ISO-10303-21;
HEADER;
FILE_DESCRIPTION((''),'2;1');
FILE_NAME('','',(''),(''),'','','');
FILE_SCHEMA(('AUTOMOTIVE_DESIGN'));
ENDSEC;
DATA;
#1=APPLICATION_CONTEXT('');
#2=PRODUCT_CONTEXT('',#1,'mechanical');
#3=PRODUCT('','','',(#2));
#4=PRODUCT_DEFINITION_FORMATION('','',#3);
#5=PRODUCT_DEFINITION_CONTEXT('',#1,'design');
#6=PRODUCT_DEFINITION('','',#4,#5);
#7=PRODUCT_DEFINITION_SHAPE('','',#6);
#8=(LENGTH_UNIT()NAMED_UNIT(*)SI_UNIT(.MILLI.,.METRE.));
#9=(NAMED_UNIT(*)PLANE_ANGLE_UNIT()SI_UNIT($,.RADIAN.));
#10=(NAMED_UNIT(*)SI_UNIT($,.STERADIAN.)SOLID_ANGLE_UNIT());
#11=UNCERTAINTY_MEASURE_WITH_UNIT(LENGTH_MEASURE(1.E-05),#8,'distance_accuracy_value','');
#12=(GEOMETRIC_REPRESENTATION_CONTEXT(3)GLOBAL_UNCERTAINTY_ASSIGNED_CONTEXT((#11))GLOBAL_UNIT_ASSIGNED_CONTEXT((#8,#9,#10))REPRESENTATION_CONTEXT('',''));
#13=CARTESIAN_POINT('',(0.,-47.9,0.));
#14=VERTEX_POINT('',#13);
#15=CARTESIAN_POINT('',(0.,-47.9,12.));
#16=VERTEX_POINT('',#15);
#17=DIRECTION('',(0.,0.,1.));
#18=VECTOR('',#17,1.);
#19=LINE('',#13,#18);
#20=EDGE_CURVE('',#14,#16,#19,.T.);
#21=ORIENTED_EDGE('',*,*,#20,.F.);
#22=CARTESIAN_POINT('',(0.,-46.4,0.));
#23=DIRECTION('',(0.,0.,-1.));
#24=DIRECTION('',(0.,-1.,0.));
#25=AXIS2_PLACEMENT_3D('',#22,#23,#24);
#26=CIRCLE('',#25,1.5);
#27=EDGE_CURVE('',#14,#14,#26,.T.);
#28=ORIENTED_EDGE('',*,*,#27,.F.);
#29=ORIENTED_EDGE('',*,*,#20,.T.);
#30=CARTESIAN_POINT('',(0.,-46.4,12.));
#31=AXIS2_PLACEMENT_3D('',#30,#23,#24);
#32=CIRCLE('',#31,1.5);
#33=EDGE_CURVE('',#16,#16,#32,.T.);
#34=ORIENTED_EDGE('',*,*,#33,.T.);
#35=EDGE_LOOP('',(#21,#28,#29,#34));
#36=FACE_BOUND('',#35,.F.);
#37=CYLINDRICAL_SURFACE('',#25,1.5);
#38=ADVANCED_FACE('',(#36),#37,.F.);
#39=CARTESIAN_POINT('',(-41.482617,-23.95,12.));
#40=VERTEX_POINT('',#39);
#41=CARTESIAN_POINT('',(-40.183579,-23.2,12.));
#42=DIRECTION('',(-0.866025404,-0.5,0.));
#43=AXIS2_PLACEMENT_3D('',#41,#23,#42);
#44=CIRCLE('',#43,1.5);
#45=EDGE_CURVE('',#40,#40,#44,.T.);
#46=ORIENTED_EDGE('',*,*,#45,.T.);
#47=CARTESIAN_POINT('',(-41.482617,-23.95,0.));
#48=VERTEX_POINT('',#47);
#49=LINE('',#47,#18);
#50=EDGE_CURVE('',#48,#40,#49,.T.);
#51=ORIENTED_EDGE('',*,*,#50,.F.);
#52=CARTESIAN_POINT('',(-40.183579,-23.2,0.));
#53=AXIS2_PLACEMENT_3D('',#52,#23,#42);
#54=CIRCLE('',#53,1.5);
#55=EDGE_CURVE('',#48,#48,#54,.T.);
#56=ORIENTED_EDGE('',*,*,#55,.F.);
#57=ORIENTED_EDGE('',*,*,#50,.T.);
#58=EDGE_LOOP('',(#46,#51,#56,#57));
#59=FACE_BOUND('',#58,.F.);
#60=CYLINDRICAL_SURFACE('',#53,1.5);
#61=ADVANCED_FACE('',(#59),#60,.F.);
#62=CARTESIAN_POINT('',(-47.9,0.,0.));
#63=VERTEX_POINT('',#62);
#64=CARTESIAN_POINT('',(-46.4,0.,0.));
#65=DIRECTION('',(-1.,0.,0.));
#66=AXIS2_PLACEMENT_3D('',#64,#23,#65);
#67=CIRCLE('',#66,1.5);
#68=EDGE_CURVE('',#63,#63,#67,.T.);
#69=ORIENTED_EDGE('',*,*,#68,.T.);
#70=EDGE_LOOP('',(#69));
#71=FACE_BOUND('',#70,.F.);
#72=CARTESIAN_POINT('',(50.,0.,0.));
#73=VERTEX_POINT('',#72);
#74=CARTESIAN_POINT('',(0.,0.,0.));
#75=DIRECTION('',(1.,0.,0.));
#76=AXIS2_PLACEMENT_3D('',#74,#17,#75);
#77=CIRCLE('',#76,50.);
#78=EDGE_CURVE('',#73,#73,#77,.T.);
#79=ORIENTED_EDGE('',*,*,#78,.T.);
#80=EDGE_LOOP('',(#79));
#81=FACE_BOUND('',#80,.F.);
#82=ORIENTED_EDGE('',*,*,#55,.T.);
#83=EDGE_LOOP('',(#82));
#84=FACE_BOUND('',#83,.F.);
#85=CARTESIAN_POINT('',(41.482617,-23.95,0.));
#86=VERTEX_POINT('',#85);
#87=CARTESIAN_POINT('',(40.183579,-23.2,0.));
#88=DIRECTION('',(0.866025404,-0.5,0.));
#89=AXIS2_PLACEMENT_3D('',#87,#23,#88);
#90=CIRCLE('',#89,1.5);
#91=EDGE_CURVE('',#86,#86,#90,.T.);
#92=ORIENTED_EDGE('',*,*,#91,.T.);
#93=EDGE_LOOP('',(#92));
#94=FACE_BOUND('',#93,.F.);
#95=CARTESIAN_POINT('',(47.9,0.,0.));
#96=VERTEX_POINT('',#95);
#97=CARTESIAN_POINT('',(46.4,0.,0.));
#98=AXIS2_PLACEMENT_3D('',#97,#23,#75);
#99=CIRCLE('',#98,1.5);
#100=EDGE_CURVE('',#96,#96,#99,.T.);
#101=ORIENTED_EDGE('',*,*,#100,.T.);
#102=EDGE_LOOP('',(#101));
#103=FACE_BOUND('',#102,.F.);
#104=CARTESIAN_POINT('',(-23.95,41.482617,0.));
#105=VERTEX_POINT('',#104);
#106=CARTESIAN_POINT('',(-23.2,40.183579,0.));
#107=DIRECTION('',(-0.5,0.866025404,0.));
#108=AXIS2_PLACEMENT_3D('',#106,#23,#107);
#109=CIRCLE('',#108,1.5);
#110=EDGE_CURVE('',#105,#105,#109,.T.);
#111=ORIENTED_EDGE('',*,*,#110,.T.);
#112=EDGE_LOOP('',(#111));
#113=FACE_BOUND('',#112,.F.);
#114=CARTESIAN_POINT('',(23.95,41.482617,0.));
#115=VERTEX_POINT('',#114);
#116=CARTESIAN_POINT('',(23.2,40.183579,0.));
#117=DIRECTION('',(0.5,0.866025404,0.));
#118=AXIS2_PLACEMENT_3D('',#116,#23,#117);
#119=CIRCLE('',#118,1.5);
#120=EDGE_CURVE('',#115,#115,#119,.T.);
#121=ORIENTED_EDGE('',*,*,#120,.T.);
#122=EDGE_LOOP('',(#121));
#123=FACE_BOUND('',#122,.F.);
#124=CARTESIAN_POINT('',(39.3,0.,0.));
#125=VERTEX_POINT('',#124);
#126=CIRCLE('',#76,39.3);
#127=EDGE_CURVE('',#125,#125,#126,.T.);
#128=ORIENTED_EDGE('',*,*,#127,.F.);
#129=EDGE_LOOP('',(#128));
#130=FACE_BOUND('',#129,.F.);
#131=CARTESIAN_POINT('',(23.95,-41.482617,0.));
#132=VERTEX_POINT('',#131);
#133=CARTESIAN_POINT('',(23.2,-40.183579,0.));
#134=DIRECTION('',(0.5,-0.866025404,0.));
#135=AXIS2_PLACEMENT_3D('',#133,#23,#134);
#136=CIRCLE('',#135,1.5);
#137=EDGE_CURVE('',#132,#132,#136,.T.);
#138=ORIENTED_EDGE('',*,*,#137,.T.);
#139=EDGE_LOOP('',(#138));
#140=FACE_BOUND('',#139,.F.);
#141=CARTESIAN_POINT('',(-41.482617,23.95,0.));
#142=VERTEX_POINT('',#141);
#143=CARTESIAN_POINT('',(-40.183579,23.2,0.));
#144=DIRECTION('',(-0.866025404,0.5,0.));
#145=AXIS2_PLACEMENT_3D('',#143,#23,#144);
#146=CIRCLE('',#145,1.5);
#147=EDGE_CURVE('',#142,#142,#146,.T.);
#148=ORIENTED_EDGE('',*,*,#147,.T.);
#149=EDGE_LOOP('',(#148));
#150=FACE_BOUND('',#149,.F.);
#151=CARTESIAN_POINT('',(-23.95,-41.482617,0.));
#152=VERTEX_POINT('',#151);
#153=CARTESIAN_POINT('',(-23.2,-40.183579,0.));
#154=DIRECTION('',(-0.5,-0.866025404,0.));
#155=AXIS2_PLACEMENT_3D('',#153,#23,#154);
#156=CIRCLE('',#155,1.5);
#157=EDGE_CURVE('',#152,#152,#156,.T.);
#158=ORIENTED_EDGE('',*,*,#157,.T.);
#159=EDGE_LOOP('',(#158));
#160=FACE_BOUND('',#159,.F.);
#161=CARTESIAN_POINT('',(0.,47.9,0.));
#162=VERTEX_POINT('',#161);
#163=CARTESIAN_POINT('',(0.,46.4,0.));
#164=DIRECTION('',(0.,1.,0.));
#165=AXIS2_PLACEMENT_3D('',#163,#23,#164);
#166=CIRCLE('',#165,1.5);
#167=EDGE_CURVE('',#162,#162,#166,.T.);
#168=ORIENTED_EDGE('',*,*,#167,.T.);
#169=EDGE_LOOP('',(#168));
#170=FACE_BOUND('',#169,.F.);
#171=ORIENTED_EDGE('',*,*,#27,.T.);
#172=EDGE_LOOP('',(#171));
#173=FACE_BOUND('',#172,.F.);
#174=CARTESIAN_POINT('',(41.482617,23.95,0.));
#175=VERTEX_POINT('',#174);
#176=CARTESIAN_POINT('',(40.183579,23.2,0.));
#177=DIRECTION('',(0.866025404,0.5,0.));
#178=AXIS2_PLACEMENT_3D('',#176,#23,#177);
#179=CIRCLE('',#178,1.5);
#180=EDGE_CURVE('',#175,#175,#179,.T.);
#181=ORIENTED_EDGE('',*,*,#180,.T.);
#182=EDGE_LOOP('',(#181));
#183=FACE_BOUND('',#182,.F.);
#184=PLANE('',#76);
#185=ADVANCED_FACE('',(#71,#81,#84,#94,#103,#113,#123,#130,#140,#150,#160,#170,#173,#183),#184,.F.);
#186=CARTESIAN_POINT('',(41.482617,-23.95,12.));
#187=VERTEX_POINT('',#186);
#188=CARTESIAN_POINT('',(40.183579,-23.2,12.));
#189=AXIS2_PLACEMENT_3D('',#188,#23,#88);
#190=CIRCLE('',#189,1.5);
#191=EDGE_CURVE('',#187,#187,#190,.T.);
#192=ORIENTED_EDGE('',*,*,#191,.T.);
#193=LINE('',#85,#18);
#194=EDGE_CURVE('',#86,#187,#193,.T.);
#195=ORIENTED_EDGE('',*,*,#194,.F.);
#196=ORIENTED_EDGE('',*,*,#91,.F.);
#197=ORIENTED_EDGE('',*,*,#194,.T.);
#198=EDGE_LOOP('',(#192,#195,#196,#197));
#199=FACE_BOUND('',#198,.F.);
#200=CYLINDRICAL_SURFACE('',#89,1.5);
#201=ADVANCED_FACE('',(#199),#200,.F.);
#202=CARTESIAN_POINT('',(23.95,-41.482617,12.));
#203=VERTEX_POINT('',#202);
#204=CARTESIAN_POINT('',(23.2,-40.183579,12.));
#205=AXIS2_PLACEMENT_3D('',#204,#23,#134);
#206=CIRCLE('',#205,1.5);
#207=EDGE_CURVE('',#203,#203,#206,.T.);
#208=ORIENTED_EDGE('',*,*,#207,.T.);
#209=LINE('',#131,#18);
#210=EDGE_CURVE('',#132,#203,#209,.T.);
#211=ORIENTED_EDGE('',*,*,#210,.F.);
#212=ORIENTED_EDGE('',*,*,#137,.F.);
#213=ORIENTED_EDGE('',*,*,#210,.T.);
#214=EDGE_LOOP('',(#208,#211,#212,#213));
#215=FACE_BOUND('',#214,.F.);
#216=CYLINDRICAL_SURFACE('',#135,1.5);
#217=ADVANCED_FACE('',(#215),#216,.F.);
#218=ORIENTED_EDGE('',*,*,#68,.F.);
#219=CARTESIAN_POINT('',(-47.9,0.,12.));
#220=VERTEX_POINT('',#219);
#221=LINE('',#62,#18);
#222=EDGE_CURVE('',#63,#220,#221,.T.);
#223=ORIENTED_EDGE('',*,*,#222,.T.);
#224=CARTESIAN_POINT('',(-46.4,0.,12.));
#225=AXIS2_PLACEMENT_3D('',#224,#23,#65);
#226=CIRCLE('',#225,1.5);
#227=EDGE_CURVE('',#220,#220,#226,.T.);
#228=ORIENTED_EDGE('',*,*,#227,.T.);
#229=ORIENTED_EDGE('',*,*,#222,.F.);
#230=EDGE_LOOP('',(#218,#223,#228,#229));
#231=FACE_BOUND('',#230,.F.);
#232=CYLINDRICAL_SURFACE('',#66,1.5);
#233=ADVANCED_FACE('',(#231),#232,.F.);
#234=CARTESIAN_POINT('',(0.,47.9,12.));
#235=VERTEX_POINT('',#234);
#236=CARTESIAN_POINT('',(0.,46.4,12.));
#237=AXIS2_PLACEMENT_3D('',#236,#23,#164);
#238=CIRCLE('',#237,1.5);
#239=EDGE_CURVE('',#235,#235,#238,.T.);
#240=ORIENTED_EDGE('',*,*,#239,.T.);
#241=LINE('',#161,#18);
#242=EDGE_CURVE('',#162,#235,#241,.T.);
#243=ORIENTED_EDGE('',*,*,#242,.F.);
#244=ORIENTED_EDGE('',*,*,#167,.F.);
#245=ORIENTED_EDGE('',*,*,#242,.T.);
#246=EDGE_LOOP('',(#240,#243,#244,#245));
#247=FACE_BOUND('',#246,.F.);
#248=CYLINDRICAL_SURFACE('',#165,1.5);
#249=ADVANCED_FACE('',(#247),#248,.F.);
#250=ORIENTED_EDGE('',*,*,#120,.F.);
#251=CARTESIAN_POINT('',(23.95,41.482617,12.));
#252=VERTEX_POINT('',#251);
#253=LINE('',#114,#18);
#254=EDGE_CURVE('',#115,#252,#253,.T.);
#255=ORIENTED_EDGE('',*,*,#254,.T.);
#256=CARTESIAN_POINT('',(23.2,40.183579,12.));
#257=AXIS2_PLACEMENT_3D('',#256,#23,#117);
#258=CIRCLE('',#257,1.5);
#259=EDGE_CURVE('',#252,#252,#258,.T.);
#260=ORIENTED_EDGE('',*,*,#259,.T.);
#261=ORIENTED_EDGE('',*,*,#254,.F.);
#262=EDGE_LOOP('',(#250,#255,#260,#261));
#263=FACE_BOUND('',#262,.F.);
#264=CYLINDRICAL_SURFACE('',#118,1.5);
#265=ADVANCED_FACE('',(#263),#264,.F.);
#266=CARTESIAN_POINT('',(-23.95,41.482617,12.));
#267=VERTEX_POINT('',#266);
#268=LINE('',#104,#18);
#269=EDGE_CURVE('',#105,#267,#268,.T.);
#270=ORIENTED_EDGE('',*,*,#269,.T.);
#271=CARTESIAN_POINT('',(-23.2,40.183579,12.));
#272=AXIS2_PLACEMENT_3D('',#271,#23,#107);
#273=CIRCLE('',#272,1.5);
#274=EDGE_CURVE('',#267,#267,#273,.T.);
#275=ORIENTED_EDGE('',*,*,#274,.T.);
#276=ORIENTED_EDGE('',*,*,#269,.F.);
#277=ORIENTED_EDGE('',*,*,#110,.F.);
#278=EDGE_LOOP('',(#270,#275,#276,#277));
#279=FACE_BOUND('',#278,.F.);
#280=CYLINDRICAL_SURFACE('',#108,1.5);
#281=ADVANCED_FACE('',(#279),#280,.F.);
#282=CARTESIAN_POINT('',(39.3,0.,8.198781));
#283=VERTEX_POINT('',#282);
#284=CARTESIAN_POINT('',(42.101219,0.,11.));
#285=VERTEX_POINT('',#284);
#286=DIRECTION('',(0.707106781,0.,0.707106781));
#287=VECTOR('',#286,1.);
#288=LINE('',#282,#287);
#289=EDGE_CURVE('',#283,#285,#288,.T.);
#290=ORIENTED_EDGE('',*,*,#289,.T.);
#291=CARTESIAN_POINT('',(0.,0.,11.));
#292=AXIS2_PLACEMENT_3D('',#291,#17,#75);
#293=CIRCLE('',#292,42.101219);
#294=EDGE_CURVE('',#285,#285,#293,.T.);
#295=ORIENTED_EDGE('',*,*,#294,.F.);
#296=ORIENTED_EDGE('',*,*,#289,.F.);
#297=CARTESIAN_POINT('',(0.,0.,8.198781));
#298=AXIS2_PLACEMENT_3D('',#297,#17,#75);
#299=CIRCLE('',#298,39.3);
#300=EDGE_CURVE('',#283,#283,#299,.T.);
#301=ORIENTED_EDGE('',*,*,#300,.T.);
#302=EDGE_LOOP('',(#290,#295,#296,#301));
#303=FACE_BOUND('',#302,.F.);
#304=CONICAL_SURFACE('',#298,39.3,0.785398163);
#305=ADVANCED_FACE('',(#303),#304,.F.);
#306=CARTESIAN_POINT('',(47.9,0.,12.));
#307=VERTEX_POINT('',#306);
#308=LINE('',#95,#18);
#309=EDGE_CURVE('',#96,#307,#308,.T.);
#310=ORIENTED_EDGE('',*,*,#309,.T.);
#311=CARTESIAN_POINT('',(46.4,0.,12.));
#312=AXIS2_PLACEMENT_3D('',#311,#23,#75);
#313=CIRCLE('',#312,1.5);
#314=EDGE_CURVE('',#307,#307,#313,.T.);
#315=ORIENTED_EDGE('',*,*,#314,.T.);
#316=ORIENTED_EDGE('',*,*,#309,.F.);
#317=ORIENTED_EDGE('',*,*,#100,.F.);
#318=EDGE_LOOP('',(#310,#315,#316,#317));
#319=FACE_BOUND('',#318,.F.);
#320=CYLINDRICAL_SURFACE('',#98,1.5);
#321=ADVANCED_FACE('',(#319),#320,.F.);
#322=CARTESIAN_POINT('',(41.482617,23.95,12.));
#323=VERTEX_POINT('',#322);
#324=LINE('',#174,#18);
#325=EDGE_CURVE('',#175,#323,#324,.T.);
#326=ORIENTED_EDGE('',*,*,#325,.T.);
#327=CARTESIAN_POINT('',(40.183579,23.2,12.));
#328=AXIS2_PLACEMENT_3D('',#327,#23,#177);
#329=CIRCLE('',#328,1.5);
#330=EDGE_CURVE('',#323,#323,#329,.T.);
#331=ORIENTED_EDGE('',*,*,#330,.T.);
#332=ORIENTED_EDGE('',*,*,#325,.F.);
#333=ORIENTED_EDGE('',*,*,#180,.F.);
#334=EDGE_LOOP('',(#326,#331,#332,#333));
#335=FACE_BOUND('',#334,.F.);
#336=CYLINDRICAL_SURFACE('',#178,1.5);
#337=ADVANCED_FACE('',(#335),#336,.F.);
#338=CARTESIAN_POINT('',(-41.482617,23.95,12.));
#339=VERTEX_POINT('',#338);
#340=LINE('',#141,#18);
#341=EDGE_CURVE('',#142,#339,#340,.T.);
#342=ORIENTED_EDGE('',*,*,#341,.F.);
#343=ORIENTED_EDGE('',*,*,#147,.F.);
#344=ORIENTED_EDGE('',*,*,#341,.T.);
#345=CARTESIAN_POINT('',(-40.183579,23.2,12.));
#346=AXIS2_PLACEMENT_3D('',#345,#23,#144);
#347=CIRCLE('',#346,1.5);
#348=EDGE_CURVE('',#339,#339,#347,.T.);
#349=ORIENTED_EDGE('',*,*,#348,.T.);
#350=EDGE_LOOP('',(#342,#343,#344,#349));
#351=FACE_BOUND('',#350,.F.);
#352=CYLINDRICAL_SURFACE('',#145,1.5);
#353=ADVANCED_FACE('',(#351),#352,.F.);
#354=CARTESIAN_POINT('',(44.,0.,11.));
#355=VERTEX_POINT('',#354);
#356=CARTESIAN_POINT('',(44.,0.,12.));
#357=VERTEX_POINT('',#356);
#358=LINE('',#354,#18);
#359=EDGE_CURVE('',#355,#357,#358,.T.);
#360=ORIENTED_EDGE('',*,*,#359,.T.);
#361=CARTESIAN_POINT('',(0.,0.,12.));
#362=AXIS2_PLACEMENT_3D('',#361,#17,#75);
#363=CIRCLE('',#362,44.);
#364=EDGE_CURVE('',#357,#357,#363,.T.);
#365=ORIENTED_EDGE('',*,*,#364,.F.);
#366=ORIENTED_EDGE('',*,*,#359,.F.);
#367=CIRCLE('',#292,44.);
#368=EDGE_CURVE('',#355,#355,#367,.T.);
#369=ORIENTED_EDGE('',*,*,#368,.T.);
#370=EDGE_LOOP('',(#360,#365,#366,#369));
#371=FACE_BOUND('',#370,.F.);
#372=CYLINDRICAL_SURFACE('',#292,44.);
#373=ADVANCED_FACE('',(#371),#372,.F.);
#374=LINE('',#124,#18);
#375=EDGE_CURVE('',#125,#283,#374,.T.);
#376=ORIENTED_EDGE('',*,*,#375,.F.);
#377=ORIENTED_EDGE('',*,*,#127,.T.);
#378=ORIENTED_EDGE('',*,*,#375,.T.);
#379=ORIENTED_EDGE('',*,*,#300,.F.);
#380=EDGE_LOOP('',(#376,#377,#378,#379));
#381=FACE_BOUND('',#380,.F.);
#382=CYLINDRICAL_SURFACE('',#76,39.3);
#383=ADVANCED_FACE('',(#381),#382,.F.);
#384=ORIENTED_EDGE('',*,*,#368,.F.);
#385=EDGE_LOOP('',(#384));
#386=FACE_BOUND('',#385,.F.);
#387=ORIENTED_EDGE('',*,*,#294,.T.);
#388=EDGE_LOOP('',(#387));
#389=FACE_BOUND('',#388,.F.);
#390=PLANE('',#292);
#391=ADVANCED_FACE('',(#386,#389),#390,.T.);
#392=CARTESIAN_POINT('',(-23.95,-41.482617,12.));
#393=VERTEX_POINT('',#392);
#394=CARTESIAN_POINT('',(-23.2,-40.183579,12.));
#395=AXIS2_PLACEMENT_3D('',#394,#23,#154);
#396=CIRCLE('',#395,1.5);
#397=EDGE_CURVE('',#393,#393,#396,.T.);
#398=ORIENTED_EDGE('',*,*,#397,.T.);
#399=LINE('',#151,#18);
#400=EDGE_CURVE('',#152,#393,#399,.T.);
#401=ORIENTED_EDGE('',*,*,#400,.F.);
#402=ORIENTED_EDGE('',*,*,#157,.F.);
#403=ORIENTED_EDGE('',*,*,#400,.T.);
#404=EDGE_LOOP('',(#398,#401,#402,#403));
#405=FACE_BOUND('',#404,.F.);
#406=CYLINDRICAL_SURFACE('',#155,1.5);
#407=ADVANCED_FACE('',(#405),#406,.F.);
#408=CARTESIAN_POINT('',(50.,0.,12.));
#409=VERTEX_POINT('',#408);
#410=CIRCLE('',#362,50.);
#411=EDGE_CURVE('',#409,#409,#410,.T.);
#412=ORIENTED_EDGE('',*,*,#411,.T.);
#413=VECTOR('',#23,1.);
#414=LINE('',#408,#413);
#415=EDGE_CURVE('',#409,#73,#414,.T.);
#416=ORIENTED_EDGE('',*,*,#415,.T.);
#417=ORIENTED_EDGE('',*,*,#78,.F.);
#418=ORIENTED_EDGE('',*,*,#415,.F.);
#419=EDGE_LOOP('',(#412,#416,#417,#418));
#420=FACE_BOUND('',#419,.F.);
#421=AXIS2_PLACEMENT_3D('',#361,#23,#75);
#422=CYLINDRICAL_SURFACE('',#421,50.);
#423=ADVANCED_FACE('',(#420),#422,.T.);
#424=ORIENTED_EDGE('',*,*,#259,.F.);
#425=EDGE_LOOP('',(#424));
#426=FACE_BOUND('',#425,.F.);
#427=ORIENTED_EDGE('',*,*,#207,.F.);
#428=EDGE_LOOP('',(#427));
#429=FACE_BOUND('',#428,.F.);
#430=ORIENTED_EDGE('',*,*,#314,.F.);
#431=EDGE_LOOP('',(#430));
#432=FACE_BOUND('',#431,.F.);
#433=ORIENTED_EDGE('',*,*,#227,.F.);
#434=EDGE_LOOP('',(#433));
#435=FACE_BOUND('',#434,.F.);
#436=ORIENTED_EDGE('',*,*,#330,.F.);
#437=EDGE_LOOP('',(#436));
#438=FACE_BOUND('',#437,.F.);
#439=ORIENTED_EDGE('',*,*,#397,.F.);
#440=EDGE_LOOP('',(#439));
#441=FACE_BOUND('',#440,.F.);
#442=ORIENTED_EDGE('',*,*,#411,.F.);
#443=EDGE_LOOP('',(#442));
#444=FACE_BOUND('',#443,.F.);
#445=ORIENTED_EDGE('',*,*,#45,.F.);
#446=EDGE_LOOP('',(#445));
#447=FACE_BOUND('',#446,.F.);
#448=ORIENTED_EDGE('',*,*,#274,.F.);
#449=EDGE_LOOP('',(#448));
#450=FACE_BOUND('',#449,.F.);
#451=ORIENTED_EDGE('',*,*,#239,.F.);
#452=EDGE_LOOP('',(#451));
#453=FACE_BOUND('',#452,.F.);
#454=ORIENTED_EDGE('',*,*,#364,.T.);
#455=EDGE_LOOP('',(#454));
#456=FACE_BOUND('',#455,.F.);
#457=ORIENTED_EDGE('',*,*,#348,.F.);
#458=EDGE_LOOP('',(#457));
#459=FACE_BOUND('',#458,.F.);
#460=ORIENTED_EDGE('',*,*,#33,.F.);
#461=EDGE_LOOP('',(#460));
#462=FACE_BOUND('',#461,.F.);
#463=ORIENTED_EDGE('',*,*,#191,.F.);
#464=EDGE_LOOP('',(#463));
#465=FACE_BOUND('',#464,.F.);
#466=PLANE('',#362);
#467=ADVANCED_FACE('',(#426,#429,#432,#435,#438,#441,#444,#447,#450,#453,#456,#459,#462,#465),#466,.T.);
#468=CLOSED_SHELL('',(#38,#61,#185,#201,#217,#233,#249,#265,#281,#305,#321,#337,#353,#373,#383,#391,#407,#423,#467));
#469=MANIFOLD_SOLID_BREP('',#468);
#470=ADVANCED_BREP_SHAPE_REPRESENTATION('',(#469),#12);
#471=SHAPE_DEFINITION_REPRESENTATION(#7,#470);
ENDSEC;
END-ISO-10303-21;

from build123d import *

# Parameters (mm, degrees)
SKETCH_R           = 1.5
POCKET_DEPTH       = 295.86012
POLARPATTERN_COUNT = 12


with BuildPart() as part:
    # Sketch013 → Revolution (revolve)
    with BuildSketch(Plane.XZ):
        Polygon((39.3, 0), (39.3, 8.198781), (42.101219, 11), (44, 11), (44, 12), (50, 12), (50, 0), align=None)
    revolve(axis=Axis((0, 0, 0), (0, 0, 1)))

    # Sketch → Pocket (cut, through all)
    with BuildSketch(Plane(origin=(0, 0, 0), x_dir=(1, 0, 0), z_dir=(0, 0, -1))):
        with Locations((46.4, 0)):
            Circle(SKETCH_R)
    pocket = extrude(amount=-POCKET_DEPTH, mode=Mode.SUBTRACT)

    # PolarPattern: Pocket ×12 about axis
    polarpattern_axis = Axis((0, 0, 0), (0, 0, -1))
    for i in range(1, POLARPATTERN_COUNT):
        add(pocket.rotate(polarpattern_axis, i * 360 / POLARPATTERN_COUNT), mode=Mode.SUBTRACT)


solid = part.part
